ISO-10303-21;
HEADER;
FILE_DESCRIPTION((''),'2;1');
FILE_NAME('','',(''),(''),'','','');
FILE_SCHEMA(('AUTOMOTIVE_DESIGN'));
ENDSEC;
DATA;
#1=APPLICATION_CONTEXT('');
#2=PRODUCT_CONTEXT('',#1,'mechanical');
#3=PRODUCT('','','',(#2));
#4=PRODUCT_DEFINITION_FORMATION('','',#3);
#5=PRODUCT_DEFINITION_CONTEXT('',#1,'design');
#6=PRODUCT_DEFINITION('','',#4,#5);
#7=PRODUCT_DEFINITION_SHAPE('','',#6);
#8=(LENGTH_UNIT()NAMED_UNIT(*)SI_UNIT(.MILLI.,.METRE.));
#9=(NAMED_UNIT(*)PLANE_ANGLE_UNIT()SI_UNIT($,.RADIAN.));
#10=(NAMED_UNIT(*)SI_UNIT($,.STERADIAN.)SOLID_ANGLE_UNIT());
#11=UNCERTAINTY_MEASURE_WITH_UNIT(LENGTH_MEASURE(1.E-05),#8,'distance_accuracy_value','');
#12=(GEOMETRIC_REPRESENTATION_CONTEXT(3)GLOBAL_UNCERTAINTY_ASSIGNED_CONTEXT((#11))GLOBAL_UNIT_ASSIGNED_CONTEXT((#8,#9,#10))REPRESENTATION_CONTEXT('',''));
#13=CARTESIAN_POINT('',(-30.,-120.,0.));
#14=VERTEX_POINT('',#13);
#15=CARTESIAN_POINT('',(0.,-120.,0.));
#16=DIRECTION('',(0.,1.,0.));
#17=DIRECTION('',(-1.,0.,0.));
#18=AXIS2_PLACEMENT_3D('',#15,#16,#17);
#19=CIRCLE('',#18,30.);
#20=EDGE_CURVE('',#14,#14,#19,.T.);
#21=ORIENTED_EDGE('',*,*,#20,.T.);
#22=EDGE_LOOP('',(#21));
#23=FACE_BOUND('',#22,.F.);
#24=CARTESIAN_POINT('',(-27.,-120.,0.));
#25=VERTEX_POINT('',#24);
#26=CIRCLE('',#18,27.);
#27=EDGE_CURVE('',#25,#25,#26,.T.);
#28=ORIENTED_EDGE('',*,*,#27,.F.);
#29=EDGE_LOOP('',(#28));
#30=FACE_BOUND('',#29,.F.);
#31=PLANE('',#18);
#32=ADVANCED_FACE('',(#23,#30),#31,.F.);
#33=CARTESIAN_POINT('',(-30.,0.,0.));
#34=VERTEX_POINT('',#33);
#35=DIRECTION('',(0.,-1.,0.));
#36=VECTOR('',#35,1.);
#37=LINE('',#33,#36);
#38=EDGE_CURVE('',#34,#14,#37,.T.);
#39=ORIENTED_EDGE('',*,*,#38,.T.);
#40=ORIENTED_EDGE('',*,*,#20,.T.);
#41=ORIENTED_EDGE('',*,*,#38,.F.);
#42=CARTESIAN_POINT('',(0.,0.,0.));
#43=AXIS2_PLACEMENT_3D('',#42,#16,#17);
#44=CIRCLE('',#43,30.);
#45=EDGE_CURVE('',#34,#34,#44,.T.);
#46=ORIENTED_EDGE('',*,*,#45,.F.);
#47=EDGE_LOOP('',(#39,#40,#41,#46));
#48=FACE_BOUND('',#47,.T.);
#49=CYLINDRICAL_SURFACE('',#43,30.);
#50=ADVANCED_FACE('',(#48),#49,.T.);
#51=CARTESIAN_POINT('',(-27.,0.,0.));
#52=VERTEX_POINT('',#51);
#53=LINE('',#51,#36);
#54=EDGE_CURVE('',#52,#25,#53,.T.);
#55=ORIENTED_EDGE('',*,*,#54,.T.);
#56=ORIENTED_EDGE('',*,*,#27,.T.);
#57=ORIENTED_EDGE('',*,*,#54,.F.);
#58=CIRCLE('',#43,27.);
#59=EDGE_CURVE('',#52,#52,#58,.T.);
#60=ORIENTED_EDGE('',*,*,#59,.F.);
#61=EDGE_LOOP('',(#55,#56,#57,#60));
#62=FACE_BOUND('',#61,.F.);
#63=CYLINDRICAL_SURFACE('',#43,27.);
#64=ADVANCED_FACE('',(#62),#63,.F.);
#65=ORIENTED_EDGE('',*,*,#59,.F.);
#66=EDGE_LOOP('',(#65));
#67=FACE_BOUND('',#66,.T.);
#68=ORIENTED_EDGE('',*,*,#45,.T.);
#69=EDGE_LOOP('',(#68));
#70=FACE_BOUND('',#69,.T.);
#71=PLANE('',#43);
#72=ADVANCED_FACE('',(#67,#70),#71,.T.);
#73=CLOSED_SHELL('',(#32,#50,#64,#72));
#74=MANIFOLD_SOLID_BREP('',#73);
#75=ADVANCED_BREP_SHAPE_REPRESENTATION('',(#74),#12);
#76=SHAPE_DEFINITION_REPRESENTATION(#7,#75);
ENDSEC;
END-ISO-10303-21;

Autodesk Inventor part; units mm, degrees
ref_plane "YZ Plane" through (0, 0, 0) normal (1, 0, 0) x (0, 1, 0)
ref_plane "XZ Plane" through (0, 0, 0) normal (0, 1, 0) x (-1, 0, 0)
ref_plane "XY Plane" through (0, 0, 0) normal (0, 0, 1) x (1, 0, 0)
sketch "Sketch1" plane through (0, 0, 0) normal (0, 1, 0) x (-1, 0, 0)
  circle A0 centre (0, 0) radius 30
  circle A1 centre (0, 0) radius 27
  dimension "d0" = 60
  dimension "d1" = 3
extrude "Extrusion1" add sketch "Sketch1" against normal blind 120
properties part number "ANP 1333 FDS tube 3_CPY" material "Steel"
